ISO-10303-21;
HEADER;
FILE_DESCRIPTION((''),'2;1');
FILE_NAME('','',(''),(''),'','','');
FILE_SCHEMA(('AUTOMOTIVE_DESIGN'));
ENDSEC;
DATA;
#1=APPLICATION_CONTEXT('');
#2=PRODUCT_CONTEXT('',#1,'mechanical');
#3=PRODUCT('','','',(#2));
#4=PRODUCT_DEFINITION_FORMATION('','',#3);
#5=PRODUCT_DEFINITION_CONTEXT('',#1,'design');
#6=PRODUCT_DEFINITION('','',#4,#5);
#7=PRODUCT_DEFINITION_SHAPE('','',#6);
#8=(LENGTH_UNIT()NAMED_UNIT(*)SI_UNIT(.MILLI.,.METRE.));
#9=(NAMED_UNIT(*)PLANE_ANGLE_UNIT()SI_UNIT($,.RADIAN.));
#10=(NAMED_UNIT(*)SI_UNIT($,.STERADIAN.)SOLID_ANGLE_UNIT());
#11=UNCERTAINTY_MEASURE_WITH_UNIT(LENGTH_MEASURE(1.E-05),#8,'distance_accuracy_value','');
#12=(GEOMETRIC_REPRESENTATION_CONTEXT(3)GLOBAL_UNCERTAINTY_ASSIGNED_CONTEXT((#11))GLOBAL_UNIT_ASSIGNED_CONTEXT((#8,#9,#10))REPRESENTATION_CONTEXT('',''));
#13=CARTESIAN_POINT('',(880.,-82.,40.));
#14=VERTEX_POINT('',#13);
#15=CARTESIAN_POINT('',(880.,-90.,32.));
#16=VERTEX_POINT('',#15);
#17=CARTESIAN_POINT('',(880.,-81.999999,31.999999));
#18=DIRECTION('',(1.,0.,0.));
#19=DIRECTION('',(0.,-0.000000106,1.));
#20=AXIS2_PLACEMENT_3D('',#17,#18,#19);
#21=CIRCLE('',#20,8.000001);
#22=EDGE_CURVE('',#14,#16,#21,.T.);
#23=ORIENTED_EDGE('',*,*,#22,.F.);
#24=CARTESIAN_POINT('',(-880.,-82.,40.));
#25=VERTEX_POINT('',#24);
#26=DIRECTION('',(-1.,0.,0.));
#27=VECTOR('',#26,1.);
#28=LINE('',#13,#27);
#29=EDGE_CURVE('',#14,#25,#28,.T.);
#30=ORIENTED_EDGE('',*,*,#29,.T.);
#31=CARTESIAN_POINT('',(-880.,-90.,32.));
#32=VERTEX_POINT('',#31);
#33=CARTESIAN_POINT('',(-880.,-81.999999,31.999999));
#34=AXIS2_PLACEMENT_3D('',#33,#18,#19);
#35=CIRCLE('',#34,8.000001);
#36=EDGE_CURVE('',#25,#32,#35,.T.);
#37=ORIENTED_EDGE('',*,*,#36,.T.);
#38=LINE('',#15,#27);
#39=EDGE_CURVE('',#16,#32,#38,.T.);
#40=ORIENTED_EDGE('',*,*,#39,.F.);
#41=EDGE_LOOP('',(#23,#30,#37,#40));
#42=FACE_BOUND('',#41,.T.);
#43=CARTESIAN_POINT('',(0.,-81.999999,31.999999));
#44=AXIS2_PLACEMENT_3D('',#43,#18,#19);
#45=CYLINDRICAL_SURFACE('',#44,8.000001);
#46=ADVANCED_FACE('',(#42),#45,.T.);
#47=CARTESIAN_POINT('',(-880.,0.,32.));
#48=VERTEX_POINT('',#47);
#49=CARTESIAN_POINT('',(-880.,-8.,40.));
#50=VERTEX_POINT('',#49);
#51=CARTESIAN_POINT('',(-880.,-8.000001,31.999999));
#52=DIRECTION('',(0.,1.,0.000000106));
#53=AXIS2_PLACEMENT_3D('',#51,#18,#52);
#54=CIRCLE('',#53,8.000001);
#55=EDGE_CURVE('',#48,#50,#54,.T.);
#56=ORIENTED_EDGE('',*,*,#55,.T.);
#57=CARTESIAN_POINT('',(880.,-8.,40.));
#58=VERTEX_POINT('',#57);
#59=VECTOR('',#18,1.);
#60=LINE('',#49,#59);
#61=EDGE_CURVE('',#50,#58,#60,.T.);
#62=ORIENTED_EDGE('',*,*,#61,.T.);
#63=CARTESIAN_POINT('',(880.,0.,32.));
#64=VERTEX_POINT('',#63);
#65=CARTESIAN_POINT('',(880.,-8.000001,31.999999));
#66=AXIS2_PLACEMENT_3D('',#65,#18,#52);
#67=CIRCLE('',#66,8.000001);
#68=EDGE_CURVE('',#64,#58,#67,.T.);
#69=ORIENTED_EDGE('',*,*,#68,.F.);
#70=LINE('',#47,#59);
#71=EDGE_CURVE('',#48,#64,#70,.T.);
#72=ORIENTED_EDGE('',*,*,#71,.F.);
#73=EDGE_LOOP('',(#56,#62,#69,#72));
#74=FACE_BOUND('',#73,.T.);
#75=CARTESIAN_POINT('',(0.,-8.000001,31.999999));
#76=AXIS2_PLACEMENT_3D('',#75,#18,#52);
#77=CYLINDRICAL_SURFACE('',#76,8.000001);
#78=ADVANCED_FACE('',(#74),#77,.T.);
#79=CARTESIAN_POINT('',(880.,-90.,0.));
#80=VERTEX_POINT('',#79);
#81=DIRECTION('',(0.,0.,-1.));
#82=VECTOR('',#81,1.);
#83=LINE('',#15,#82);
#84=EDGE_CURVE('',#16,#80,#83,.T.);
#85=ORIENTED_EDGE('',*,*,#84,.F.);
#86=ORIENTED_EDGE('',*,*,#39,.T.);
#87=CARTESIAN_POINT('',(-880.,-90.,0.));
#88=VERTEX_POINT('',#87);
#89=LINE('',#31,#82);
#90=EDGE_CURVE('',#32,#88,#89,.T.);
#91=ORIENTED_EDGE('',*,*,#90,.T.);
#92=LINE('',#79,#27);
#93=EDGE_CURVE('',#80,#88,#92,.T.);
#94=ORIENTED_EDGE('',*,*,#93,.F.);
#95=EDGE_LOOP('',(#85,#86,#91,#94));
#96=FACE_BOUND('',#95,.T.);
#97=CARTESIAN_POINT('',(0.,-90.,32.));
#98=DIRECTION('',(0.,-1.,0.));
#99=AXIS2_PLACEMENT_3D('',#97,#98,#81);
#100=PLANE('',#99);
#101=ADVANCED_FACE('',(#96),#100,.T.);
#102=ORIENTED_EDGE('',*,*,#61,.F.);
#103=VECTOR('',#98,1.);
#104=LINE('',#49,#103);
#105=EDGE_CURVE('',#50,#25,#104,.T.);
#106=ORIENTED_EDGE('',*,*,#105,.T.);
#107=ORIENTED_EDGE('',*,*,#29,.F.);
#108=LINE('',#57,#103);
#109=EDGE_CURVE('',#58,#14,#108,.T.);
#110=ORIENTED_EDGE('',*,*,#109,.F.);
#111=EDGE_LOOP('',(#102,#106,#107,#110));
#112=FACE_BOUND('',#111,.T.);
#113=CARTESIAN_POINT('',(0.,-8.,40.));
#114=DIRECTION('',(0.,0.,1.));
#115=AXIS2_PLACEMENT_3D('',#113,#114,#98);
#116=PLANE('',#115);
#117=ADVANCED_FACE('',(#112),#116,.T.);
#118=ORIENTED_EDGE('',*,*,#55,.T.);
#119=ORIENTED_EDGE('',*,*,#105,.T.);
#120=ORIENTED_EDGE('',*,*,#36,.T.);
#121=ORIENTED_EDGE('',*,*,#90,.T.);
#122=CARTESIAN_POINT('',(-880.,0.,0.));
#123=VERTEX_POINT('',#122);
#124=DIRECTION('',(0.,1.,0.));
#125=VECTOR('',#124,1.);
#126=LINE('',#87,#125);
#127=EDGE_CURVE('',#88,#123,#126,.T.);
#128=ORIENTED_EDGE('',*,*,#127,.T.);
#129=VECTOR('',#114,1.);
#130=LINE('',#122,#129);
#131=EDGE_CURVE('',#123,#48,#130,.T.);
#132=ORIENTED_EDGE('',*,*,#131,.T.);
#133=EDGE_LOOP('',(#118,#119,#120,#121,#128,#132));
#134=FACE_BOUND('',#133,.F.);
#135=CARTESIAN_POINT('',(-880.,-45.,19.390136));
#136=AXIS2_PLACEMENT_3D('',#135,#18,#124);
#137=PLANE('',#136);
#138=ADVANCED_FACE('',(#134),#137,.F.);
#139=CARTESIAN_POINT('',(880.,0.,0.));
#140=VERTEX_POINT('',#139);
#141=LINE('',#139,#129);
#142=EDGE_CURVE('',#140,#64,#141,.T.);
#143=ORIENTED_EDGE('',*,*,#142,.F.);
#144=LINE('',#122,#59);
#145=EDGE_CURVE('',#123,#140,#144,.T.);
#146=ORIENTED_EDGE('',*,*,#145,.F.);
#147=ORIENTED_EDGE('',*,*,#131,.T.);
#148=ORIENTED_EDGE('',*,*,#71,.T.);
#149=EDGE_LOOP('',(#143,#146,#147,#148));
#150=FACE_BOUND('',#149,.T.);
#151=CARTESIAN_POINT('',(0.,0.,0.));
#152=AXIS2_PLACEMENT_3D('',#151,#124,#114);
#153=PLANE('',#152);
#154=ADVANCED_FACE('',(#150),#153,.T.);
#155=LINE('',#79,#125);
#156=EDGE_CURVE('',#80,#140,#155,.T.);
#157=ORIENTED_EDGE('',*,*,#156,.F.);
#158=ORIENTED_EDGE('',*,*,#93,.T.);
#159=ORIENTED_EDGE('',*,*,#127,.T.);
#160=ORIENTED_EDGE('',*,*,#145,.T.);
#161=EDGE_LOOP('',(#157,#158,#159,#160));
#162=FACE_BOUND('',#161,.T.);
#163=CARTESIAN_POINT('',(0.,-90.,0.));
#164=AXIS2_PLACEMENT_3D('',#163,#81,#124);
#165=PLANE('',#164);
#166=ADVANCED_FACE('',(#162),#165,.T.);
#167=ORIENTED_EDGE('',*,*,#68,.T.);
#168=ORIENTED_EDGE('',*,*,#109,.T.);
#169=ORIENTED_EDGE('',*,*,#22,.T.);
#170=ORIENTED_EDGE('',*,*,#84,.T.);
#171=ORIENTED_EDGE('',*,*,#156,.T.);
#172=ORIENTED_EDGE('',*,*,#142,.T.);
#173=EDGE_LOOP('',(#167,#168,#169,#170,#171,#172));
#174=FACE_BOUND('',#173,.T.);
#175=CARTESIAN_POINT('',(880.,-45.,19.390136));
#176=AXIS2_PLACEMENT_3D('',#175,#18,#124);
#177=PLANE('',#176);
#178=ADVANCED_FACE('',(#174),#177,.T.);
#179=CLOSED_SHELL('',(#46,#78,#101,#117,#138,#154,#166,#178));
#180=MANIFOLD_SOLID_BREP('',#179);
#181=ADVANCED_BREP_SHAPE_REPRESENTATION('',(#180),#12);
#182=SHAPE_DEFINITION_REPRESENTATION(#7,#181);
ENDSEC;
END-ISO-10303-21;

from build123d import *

# Parameters (mm, degrees)
F1_DEPTH = 880


with BuildPart() as f1:
    # F0 (on Right) → F1 (new body, symmetric)
    with BuildSketch(Plane.YZ):
        with BuildLine():
            Line((-90, 0), (0, 0))
            Line((0, 0), (0, 32))
            ThreePointArc((0, 32), (-2.343146, 37.656854), (-8, 40))
            Line((-8, 40), (-82, 40))
            ThreePointArc((-82, 40), (-87.656854, 37.656854), (-90, 32))
            Line((-90, 32), (-90, 0))
        make_face()
    extrude(amount=F1_DEPTH, both=True)


solid = f1.part
